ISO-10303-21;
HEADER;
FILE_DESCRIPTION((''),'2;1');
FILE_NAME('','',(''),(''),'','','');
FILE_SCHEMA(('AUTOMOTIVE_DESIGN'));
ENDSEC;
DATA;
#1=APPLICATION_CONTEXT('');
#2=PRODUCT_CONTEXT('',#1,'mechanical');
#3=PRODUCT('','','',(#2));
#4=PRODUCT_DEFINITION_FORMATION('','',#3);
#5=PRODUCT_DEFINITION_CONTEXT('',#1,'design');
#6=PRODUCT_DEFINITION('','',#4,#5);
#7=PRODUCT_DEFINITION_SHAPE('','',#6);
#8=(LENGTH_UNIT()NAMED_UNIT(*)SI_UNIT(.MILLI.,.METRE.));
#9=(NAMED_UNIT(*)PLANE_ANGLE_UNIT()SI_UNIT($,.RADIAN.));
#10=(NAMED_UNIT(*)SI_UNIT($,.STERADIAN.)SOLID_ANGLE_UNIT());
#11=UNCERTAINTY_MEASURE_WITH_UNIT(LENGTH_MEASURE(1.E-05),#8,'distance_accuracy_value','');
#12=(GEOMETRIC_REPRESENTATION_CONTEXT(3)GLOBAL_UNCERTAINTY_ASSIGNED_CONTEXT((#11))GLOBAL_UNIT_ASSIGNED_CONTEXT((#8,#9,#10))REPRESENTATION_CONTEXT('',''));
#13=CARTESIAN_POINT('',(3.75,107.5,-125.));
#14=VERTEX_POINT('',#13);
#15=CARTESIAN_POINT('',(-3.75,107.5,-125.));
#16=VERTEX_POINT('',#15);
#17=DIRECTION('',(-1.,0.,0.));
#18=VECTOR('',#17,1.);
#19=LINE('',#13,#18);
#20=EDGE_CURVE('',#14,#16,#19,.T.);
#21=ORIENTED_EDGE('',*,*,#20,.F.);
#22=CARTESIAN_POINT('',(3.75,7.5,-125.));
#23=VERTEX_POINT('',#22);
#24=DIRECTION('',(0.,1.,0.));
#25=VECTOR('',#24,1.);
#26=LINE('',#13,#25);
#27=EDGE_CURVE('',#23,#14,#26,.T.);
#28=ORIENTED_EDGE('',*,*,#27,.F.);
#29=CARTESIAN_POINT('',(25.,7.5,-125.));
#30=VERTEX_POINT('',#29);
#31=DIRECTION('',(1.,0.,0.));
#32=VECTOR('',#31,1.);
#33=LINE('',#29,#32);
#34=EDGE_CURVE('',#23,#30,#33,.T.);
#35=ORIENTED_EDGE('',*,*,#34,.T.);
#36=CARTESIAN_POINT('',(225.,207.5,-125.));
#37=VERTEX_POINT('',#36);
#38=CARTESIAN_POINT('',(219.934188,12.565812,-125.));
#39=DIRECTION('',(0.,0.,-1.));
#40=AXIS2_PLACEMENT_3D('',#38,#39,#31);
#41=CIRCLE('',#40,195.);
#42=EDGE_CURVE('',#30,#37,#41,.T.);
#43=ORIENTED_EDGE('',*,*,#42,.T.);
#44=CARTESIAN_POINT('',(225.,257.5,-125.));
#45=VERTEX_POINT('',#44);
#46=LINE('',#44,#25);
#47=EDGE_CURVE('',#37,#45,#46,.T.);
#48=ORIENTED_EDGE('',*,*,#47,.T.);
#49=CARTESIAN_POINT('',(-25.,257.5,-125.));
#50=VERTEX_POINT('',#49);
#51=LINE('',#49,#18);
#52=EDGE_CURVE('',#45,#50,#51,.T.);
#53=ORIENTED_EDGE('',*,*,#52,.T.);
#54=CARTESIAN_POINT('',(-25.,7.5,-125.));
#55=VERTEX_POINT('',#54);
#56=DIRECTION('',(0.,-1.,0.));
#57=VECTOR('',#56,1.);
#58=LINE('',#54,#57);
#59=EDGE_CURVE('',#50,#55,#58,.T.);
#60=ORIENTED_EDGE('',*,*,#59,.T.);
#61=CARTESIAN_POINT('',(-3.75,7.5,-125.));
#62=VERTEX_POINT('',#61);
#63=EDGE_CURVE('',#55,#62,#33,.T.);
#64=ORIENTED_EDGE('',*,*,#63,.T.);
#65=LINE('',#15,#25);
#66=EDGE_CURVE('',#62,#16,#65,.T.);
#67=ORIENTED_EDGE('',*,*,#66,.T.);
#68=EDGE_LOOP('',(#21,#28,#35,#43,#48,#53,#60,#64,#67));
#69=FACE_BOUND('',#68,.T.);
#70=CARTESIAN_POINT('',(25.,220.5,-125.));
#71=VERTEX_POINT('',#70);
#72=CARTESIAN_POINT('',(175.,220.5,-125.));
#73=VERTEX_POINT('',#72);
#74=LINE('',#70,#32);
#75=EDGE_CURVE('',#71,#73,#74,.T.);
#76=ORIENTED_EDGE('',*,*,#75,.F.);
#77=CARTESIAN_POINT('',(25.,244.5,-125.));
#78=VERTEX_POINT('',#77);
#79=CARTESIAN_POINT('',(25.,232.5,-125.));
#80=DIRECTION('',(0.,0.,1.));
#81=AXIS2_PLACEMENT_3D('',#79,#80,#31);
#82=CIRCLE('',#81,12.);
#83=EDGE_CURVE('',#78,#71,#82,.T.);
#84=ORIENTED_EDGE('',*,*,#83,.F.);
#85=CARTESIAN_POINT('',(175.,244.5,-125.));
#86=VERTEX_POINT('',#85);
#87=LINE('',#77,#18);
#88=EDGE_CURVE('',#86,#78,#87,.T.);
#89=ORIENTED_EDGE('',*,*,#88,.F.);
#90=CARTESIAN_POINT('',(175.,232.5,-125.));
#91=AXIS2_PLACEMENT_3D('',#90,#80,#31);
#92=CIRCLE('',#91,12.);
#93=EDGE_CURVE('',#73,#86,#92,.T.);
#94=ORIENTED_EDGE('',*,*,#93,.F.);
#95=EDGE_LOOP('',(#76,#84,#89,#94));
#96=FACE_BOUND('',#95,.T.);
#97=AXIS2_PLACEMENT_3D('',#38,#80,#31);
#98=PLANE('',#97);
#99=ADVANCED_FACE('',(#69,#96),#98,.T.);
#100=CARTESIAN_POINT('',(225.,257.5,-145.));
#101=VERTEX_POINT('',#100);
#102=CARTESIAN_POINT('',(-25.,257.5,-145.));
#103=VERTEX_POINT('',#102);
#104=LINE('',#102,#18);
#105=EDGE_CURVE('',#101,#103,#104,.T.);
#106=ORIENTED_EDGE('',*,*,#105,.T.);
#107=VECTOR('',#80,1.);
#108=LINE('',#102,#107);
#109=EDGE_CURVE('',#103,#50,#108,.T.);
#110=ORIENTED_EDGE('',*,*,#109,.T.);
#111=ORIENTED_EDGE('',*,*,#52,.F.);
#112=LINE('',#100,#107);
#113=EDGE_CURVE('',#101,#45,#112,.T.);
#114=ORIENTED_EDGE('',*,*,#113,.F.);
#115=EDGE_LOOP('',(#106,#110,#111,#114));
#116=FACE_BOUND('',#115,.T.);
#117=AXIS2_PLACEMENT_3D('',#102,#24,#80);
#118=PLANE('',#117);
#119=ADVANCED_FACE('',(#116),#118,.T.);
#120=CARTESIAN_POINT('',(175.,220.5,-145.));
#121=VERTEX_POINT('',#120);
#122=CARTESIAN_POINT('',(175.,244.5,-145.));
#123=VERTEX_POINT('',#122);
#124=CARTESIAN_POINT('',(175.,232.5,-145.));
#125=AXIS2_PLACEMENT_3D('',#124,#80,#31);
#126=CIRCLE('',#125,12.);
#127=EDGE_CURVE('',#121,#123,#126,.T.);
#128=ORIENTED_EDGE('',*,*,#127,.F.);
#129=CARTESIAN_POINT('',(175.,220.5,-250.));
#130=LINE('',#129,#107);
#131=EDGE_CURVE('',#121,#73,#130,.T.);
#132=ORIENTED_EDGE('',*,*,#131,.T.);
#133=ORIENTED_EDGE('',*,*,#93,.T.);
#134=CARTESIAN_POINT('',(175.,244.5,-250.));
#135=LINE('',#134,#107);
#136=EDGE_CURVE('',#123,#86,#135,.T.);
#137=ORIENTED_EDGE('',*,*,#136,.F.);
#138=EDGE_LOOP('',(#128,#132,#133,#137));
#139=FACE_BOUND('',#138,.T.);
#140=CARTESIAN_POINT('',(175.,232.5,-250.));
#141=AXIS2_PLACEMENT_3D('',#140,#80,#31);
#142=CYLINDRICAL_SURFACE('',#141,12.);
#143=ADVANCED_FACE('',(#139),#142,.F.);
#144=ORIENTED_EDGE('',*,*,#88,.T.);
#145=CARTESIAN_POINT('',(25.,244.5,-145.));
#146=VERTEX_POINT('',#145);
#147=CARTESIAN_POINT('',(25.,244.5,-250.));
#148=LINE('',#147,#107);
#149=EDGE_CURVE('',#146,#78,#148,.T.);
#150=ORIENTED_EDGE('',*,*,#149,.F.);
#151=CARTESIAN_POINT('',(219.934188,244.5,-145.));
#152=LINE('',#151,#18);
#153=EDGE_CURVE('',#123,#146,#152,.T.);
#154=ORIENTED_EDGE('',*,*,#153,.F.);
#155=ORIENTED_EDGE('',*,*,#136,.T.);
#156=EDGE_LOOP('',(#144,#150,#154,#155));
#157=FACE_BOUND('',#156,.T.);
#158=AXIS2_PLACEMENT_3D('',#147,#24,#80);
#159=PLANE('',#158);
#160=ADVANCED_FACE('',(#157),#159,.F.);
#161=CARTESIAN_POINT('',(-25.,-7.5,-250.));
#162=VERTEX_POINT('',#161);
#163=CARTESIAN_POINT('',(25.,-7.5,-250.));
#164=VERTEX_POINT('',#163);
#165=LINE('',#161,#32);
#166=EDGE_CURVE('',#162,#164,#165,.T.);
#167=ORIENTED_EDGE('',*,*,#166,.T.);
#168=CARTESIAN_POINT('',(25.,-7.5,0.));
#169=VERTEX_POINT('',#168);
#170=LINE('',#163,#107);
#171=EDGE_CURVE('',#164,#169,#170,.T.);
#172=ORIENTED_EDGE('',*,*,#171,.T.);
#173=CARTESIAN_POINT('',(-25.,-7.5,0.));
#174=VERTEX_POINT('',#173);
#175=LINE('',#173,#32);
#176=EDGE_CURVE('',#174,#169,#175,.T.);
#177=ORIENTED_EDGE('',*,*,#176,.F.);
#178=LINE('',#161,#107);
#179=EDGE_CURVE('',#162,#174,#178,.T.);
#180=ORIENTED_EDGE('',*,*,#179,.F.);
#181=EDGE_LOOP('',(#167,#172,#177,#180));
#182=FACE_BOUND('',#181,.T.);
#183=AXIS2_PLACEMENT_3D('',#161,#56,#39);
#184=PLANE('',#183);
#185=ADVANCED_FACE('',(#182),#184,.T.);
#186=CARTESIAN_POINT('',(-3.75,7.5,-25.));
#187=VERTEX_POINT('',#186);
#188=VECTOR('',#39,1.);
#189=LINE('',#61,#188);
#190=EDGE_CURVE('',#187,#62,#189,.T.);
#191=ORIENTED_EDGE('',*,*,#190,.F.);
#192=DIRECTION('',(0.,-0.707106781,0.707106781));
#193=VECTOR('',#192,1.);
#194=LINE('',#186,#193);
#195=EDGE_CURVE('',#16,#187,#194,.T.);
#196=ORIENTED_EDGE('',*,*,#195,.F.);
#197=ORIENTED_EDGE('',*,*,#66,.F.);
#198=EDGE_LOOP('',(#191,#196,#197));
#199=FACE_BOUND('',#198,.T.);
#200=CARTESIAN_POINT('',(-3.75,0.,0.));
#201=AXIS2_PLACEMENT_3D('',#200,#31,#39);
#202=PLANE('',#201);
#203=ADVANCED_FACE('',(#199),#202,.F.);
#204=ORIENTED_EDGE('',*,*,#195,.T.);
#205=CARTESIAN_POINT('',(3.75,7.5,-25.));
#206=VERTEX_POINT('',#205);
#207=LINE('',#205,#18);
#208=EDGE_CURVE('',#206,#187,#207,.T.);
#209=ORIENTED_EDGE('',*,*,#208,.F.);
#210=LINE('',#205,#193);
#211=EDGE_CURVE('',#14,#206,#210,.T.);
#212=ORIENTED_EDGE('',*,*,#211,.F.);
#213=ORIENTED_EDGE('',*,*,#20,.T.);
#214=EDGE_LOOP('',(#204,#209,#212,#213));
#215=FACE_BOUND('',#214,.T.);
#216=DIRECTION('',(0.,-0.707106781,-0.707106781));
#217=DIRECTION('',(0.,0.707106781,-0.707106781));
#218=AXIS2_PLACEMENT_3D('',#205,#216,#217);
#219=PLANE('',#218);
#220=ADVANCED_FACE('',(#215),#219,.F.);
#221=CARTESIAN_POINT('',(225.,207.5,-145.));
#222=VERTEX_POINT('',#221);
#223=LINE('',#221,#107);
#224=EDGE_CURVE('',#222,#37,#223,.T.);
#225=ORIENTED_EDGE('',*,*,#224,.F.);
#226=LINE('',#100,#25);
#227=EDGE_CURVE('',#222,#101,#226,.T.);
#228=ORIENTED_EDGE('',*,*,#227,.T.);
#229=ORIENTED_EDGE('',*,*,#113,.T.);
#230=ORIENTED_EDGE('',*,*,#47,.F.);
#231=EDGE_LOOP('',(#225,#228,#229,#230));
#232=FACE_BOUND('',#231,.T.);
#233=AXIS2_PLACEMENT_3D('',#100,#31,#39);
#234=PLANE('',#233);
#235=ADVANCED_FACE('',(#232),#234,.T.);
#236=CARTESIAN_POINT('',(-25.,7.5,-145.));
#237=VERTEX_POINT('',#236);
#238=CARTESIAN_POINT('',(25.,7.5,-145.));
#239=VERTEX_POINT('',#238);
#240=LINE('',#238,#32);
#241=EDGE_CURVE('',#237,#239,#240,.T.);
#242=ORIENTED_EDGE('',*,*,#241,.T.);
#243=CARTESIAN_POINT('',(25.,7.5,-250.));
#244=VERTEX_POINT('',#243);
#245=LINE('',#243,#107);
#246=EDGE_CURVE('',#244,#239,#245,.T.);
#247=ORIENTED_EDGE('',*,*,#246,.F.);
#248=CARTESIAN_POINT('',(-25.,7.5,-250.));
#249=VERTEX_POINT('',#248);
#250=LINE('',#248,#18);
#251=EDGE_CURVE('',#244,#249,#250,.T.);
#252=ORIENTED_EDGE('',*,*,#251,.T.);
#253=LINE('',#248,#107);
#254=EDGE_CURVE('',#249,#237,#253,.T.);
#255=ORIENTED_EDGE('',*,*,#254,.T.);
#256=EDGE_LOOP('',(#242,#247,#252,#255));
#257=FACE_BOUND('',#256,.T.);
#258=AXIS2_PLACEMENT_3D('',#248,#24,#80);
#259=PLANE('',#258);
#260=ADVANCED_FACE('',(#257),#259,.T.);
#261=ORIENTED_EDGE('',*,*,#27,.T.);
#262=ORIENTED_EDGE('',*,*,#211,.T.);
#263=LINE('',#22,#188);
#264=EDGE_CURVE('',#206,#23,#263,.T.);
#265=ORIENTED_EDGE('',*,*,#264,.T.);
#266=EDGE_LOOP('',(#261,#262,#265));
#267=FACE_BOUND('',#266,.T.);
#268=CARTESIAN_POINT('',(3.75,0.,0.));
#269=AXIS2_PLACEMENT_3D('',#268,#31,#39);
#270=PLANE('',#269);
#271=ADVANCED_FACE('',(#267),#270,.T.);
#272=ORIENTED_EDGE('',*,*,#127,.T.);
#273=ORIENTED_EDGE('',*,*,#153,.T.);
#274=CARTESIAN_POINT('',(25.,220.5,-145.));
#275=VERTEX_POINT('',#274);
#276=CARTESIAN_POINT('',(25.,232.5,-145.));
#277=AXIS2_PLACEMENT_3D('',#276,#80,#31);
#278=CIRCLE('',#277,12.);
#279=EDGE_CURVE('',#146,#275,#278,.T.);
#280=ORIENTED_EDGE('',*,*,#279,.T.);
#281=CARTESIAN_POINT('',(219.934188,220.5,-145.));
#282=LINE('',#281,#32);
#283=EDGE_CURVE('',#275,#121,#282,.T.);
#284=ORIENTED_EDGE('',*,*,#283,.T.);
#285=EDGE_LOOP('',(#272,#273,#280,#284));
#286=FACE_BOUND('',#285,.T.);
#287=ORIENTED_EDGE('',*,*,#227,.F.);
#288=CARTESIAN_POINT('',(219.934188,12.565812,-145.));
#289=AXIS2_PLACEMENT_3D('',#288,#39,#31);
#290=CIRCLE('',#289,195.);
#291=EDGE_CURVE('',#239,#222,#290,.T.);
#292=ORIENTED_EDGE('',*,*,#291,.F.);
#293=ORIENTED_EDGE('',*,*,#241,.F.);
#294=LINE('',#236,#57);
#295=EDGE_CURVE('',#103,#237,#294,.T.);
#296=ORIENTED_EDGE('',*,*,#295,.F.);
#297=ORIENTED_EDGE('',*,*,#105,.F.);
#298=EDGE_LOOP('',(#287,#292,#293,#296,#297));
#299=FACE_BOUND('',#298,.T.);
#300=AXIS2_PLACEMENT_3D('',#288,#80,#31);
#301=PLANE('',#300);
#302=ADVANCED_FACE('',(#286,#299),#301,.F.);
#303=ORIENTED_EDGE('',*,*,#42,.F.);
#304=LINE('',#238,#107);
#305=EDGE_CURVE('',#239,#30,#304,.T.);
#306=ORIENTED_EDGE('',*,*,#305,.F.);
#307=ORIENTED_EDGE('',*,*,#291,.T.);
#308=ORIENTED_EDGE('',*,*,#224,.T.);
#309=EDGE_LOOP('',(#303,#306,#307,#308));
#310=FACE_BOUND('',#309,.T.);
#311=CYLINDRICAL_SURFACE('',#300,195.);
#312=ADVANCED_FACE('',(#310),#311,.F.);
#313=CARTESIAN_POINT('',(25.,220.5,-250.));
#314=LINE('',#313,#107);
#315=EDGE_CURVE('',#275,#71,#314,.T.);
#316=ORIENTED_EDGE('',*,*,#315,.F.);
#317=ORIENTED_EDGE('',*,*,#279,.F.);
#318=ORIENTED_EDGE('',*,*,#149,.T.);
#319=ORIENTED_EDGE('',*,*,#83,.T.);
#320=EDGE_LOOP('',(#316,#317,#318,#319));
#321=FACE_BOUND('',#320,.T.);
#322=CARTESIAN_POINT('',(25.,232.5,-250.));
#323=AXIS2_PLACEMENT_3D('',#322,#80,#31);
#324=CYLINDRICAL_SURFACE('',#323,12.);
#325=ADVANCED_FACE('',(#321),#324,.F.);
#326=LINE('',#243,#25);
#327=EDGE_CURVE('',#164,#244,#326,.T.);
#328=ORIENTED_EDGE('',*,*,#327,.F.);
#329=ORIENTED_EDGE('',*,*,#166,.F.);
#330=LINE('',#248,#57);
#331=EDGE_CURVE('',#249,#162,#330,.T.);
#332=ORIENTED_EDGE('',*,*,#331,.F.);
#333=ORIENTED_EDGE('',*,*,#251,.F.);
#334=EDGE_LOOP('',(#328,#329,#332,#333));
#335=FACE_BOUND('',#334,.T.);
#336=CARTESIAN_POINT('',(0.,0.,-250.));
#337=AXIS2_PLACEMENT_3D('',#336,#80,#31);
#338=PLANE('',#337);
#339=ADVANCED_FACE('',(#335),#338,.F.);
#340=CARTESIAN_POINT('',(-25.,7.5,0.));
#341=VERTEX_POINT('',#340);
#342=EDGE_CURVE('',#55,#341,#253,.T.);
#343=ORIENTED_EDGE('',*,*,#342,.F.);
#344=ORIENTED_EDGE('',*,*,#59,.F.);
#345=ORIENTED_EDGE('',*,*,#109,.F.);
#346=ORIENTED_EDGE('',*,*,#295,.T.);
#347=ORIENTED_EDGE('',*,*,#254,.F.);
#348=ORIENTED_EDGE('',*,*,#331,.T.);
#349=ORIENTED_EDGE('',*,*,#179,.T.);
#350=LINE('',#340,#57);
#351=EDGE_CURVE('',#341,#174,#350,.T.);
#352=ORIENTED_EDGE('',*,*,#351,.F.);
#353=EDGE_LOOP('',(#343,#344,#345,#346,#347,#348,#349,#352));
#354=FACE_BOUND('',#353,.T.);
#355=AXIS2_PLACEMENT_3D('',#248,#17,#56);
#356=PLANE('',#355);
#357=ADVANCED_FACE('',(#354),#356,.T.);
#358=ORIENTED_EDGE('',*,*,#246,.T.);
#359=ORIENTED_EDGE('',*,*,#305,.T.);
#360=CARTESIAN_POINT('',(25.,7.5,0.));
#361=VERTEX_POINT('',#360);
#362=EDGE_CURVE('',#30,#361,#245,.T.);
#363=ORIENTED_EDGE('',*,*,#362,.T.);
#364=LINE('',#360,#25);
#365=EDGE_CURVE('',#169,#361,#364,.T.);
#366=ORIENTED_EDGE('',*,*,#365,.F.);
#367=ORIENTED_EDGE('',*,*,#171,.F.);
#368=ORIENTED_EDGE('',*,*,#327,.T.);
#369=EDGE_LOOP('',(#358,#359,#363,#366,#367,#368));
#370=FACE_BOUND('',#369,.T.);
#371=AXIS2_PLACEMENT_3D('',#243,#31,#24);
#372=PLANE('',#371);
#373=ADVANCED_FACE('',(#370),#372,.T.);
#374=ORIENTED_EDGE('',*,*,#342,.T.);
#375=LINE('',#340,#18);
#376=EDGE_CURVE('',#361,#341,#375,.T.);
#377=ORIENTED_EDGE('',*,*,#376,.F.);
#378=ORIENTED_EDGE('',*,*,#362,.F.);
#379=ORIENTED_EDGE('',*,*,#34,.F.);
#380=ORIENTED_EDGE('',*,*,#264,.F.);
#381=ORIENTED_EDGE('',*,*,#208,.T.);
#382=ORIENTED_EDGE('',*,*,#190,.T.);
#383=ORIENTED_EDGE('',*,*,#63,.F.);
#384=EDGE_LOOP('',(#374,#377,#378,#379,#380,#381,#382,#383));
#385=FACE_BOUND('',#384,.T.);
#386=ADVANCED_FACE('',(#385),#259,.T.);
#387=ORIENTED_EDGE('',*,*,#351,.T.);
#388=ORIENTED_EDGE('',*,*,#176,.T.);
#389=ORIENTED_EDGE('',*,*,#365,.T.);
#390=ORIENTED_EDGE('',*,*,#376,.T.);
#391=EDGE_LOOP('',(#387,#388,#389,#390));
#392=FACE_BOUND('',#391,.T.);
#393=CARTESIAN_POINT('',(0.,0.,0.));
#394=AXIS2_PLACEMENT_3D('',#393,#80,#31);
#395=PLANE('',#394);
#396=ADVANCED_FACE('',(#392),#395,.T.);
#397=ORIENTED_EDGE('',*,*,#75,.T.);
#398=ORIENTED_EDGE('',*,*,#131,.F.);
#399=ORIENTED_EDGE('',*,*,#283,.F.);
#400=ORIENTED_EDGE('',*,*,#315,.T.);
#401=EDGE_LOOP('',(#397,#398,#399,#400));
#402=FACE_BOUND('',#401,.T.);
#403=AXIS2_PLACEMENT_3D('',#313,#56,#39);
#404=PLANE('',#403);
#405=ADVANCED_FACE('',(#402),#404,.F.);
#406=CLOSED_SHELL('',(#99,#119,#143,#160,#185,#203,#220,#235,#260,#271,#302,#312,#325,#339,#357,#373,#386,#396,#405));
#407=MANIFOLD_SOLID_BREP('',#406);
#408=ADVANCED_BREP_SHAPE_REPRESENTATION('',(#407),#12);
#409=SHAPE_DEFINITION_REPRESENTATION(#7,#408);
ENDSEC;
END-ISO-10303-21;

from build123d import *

# Parameters (mm, degrees)
SKETCH1_W           = 50
SKETCH1_H           = 15
BOSS_EXTRUDE1_DEPTH = 250
BOSS_EXTRUDE3_START = -135
BOSS_EXTRUDE3_DEPTH = 10
BOSS_EXTRUDE4_DEPTH = 3.75
CUT_EXTRUDE1_DEPTH  = 365.082751583


with BuildPart() as part:
    # Sketch1 → Boss-Extrude1 (new body)
    with BuildSketch(Plane.XY):
        Rectangle(SKETCH1_W, SKETCH1_H)
    extrude(amount=-BOSS_EXTRUDE1_DEPTH)

    # Sketch2 → Boss-Extrude3 (add, symmetric)
    with BuildSketch(Plane.XY.offset(BOSS_EXTRUDE3_START)):
        with BuildLine():
            Line((-25, 7.5), (-25, 257.5))
            Line((-25, 257.5), (225, 257.5))
            Line((225, 257.5), (225, 207.5))
            ThreePointArc((225, 207.5), (82.048365399, 150.451634601), (25, 7.5))
            Line((25, 7.5), (-25, 7.5))
        make_face()
    extrude(amount=BOSS_EXTRUDE3_DEPTH, both=True)

    # Sketch4 → Boss-Extrude4 (add, symmetric)
    with BuildSketch(Plane(origin=(0, 0, 0), x_dir=(0, 0, -1), z_dir=(1, 0, 0))):
        Polygon((25, 7.5), (125, 107.5), (125, 7.5), align=None)
    extrude(amount=BOSS_EXTRUDE4_DEPTH, both=True)

    # Sketch5 → Cut-Extrude1 (cut, through all)
    with BuildSketch(Plane.XY.offset(-125)):
        with BuildLine():
            Line((25, 244.5), (175, 244.5))
            ThreePointArc((175, 244.5), (187, 232.5), (175, 220.5))
            Line((175, 220.5), (25, 220.5))
            ThreePointArc((25, 220.5), (13, 232.5), (25, 244.5))
        make_face()
    extrude(amount=-CUT_EXTRUDE1_DEPTH, mode=Mode.SUBTRACT)


solid = part.part
